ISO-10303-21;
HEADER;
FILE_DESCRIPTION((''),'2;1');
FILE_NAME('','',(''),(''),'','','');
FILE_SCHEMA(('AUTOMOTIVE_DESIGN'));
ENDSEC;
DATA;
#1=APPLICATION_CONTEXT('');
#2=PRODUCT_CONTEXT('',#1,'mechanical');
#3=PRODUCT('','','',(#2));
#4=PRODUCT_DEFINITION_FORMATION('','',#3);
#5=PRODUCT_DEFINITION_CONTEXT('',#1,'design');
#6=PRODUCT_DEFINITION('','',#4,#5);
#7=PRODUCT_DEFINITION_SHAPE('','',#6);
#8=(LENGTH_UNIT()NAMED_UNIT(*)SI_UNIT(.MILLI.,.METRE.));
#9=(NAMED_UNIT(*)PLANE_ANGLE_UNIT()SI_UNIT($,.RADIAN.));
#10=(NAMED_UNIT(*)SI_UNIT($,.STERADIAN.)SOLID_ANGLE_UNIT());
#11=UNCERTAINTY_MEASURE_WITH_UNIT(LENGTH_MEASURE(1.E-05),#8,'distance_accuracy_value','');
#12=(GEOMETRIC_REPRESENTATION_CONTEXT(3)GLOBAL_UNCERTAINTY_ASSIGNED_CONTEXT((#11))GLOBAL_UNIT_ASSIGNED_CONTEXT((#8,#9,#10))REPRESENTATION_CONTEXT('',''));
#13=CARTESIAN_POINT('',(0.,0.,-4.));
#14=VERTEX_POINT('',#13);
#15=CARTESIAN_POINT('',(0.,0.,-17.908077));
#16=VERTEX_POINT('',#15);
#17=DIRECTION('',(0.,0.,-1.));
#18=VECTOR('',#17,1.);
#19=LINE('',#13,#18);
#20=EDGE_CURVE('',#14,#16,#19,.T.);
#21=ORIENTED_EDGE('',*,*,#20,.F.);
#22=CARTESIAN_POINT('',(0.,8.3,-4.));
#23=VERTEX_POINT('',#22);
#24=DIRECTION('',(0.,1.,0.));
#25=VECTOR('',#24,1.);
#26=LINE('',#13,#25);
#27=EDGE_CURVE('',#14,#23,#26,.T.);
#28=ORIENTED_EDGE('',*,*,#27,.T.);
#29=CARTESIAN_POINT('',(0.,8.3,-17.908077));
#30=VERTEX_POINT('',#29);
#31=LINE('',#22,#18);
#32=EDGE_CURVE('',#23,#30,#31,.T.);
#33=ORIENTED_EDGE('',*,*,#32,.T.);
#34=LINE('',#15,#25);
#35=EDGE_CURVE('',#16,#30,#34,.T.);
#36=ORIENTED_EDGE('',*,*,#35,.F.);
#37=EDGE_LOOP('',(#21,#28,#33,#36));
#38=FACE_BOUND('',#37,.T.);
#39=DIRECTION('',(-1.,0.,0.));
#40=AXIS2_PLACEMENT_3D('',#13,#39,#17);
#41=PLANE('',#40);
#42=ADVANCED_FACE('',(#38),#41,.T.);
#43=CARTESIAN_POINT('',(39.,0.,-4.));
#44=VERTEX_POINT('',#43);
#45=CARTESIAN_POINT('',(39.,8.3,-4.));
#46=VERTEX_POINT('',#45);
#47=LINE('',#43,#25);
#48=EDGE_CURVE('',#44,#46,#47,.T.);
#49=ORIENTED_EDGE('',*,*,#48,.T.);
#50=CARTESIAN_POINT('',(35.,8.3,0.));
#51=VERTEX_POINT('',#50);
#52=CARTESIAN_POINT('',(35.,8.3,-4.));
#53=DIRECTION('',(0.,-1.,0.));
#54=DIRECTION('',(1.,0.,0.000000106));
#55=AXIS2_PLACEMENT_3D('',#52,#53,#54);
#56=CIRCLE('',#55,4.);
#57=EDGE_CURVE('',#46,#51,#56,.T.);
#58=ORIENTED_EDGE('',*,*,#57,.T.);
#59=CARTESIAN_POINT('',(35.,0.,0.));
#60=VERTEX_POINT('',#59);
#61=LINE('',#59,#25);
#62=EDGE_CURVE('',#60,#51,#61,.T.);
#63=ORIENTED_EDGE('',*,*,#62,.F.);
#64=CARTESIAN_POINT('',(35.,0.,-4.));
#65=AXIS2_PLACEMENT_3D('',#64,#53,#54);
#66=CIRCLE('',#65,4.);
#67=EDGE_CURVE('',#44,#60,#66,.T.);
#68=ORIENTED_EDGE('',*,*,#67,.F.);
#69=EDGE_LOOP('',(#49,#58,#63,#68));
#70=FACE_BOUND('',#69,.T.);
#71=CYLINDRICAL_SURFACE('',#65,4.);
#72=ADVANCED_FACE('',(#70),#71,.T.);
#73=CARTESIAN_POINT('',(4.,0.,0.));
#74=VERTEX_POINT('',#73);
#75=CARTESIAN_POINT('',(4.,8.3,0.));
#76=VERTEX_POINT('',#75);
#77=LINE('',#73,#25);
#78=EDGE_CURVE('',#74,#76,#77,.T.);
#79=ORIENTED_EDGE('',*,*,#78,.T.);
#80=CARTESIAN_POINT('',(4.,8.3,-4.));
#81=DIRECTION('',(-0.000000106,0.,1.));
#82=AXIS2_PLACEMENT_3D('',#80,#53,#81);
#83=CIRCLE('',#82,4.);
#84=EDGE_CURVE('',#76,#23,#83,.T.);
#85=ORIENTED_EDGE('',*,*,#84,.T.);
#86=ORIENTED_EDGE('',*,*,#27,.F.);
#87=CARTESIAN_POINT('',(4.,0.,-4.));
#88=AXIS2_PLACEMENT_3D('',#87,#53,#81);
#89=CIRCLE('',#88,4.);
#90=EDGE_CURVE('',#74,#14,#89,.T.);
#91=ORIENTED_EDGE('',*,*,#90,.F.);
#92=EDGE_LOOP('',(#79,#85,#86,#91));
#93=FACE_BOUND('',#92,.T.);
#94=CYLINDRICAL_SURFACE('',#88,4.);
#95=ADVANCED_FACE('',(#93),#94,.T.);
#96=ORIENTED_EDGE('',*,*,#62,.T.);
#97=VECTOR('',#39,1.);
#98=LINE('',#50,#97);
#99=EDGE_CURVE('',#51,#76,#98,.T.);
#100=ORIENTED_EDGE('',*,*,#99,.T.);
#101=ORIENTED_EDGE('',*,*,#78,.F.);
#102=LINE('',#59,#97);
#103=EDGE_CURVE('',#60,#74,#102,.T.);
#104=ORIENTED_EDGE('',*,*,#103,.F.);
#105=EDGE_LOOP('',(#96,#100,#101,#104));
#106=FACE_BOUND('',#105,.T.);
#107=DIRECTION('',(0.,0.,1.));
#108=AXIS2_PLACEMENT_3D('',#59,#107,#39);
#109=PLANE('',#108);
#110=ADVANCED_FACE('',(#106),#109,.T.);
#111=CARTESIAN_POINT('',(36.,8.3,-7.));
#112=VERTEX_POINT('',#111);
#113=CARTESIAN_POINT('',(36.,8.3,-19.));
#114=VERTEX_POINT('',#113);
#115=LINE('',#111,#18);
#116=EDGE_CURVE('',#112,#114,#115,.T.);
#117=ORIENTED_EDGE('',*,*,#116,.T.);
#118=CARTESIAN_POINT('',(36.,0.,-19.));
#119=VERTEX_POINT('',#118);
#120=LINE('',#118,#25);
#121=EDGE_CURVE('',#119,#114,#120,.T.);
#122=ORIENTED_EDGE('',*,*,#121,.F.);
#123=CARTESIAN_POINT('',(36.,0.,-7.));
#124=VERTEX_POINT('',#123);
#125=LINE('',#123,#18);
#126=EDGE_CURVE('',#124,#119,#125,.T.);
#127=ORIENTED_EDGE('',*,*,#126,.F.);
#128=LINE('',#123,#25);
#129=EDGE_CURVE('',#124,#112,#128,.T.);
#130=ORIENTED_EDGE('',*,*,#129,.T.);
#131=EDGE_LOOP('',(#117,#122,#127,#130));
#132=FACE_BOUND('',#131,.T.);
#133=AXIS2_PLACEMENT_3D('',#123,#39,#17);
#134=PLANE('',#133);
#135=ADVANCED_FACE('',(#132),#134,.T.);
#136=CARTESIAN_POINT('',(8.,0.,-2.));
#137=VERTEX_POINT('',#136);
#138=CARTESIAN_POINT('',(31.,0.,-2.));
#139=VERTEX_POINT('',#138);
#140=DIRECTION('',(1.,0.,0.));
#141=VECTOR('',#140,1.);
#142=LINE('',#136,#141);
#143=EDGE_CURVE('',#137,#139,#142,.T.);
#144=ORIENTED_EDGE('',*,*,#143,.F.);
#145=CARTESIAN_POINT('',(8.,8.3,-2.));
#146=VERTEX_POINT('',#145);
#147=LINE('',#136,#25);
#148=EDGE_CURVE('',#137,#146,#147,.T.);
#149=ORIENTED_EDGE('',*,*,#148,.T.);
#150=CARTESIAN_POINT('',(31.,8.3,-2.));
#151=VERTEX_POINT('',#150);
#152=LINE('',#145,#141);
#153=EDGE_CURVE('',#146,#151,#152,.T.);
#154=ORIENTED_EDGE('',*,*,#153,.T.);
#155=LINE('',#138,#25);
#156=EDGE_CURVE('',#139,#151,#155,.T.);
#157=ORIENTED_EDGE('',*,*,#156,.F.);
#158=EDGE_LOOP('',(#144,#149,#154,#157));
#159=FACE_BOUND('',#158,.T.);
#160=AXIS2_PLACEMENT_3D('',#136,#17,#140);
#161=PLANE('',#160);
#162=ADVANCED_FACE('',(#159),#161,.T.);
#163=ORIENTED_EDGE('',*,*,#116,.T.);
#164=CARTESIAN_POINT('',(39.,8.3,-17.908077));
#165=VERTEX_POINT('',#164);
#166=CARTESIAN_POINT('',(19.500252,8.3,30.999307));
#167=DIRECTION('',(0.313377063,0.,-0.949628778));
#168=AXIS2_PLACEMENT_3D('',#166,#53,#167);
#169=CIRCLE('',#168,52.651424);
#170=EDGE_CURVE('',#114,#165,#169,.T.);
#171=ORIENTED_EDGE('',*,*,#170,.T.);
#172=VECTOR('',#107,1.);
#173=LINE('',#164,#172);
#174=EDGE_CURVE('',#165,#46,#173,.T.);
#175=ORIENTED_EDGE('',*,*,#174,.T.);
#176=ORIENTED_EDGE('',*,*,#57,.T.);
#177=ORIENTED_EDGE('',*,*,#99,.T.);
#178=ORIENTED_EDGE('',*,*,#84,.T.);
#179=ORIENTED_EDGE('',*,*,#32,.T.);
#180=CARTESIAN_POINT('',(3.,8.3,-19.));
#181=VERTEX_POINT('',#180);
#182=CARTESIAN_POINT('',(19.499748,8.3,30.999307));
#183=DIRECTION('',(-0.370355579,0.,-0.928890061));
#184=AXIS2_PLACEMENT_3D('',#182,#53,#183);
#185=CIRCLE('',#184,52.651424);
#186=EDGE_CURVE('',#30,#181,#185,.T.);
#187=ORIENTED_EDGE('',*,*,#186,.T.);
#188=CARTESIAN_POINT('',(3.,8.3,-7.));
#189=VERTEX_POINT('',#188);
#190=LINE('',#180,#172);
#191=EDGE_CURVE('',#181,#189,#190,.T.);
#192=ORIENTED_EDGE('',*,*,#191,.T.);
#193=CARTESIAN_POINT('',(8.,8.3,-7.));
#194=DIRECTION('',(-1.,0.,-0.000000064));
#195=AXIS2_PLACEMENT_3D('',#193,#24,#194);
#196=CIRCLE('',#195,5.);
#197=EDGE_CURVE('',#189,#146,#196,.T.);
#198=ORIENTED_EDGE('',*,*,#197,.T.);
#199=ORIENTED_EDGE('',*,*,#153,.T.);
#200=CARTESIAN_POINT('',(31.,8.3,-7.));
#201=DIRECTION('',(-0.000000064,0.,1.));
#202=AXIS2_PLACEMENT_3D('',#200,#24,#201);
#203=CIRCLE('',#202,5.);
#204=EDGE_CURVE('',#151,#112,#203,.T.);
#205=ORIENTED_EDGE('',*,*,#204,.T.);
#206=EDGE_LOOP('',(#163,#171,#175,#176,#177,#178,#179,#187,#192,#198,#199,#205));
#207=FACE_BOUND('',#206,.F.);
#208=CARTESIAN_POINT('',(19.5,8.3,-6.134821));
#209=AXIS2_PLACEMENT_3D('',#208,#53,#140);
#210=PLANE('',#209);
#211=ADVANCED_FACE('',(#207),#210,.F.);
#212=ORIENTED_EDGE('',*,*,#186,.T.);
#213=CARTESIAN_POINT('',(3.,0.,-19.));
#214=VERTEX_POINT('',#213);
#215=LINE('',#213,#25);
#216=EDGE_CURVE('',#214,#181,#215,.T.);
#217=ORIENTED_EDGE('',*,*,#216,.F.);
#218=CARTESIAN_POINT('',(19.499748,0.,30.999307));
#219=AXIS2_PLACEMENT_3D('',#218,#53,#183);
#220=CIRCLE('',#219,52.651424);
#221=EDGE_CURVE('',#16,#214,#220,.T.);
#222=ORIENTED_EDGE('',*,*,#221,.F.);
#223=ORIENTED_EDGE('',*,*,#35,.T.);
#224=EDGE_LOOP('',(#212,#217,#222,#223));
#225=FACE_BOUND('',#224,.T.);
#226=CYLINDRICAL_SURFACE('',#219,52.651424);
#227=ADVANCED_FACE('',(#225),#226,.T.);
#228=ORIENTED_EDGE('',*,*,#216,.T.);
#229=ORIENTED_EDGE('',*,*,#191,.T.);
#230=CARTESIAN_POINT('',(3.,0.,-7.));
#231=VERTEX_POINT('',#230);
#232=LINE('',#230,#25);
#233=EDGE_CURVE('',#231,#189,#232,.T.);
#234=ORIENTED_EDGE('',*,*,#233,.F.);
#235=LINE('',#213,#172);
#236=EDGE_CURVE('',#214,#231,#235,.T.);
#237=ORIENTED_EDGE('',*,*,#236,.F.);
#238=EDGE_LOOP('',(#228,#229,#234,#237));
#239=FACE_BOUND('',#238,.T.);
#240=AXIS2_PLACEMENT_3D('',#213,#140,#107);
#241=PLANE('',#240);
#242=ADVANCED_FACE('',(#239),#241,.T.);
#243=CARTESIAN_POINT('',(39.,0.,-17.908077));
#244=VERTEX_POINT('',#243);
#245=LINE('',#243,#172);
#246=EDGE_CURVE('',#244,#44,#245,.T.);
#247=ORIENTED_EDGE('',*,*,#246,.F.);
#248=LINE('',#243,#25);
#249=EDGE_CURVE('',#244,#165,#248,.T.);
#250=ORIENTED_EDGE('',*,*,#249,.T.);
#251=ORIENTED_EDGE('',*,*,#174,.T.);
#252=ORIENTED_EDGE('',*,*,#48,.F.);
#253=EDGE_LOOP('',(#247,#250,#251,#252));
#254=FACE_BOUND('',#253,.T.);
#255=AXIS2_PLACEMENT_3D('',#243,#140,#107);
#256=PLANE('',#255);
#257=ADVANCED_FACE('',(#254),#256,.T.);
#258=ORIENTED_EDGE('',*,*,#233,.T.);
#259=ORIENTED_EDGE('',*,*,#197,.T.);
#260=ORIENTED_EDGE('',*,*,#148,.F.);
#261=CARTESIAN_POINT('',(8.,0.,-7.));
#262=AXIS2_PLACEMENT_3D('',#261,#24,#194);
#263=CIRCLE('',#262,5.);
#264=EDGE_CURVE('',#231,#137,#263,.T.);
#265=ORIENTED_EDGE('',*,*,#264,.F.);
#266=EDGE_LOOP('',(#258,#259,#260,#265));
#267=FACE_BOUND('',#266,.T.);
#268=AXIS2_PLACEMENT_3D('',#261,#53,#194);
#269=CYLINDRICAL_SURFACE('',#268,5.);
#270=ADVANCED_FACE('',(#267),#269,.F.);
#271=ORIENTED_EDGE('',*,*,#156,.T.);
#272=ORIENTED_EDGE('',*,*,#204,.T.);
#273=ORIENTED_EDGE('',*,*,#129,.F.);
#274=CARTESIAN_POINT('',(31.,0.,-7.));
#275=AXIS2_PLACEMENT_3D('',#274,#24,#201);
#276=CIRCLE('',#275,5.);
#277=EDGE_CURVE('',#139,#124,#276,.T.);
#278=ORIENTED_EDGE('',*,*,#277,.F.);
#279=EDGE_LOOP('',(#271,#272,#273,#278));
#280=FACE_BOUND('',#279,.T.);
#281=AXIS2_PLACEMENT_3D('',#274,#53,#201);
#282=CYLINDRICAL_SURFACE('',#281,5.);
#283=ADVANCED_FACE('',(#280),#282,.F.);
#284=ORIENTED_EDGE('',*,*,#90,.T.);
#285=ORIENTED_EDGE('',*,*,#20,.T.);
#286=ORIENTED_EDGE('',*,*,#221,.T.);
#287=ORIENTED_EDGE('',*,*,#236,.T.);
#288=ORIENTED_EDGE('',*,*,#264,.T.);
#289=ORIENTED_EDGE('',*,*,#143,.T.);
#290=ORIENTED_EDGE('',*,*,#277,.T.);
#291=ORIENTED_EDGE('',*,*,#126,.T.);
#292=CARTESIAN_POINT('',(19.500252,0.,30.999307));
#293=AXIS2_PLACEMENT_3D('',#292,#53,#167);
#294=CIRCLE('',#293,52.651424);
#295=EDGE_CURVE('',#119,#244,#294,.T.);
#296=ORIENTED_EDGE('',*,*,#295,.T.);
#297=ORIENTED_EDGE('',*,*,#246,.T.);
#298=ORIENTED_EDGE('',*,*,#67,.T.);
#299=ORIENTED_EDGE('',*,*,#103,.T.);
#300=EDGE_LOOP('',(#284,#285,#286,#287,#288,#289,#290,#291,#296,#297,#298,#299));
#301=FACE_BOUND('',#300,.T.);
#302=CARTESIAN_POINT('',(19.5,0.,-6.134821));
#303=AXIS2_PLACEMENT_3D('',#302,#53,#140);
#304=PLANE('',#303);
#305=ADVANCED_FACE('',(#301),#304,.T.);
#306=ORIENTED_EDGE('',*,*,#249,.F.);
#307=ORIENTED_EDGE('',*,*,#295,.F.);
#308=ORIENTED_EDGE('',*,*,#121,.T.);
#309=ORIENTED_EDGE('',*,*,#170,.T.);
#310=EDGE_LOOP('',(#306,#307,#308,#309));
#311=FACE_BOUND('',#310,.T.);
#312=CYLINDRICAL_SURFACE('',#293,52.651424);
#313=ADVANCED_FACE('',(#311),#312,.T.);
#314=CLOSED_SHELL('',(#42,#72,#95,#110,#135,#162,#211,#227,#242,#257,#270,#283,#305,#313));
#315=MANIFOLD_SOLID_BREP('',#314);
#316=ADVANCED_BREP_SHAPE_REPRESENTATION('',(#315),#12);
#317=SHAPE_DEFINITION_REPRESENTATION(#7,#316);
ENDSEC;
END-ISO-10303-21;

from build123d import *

# Parameters (mm, degrees)
F1_DEPTH = 8.3


with BuildPart() as f1:
    # F0 (on Front) → F1 (new body)
    with BuildSketch(Plane.XZ):
        with BuildLine():
            Line((35, 0), (4, 0))
            ThreePointArc((4, 0), (1.171573, -1.171573), (0, -4))
            Line((0, -4), (0, -17.908077))
            ThreePointArc((0, -17.908077), (1.491722, -18.476782), (3, -19))
            Line((3, -19), (3, -7))
            ThreePointArc((3, -7), (4.464466, -3.464466), (8, -2))
            Line((8, -2), (31, -2))
            ThreePointArc((31, -2), (34.535534, -3.464466), (36, -7))
            Line((36, -7), (36, -19))
            ThreePointArc((36, -19), (37.508278, -18.476782), (39, -17.908077))
            Line((39, -17.908077), (39, -4))
            ThreePointArc((39, -4), (37.828427, -1.171573), (35, 0))
        make_face()
    extrude(amount=-F1_DEPTH)


solid = f1.part
